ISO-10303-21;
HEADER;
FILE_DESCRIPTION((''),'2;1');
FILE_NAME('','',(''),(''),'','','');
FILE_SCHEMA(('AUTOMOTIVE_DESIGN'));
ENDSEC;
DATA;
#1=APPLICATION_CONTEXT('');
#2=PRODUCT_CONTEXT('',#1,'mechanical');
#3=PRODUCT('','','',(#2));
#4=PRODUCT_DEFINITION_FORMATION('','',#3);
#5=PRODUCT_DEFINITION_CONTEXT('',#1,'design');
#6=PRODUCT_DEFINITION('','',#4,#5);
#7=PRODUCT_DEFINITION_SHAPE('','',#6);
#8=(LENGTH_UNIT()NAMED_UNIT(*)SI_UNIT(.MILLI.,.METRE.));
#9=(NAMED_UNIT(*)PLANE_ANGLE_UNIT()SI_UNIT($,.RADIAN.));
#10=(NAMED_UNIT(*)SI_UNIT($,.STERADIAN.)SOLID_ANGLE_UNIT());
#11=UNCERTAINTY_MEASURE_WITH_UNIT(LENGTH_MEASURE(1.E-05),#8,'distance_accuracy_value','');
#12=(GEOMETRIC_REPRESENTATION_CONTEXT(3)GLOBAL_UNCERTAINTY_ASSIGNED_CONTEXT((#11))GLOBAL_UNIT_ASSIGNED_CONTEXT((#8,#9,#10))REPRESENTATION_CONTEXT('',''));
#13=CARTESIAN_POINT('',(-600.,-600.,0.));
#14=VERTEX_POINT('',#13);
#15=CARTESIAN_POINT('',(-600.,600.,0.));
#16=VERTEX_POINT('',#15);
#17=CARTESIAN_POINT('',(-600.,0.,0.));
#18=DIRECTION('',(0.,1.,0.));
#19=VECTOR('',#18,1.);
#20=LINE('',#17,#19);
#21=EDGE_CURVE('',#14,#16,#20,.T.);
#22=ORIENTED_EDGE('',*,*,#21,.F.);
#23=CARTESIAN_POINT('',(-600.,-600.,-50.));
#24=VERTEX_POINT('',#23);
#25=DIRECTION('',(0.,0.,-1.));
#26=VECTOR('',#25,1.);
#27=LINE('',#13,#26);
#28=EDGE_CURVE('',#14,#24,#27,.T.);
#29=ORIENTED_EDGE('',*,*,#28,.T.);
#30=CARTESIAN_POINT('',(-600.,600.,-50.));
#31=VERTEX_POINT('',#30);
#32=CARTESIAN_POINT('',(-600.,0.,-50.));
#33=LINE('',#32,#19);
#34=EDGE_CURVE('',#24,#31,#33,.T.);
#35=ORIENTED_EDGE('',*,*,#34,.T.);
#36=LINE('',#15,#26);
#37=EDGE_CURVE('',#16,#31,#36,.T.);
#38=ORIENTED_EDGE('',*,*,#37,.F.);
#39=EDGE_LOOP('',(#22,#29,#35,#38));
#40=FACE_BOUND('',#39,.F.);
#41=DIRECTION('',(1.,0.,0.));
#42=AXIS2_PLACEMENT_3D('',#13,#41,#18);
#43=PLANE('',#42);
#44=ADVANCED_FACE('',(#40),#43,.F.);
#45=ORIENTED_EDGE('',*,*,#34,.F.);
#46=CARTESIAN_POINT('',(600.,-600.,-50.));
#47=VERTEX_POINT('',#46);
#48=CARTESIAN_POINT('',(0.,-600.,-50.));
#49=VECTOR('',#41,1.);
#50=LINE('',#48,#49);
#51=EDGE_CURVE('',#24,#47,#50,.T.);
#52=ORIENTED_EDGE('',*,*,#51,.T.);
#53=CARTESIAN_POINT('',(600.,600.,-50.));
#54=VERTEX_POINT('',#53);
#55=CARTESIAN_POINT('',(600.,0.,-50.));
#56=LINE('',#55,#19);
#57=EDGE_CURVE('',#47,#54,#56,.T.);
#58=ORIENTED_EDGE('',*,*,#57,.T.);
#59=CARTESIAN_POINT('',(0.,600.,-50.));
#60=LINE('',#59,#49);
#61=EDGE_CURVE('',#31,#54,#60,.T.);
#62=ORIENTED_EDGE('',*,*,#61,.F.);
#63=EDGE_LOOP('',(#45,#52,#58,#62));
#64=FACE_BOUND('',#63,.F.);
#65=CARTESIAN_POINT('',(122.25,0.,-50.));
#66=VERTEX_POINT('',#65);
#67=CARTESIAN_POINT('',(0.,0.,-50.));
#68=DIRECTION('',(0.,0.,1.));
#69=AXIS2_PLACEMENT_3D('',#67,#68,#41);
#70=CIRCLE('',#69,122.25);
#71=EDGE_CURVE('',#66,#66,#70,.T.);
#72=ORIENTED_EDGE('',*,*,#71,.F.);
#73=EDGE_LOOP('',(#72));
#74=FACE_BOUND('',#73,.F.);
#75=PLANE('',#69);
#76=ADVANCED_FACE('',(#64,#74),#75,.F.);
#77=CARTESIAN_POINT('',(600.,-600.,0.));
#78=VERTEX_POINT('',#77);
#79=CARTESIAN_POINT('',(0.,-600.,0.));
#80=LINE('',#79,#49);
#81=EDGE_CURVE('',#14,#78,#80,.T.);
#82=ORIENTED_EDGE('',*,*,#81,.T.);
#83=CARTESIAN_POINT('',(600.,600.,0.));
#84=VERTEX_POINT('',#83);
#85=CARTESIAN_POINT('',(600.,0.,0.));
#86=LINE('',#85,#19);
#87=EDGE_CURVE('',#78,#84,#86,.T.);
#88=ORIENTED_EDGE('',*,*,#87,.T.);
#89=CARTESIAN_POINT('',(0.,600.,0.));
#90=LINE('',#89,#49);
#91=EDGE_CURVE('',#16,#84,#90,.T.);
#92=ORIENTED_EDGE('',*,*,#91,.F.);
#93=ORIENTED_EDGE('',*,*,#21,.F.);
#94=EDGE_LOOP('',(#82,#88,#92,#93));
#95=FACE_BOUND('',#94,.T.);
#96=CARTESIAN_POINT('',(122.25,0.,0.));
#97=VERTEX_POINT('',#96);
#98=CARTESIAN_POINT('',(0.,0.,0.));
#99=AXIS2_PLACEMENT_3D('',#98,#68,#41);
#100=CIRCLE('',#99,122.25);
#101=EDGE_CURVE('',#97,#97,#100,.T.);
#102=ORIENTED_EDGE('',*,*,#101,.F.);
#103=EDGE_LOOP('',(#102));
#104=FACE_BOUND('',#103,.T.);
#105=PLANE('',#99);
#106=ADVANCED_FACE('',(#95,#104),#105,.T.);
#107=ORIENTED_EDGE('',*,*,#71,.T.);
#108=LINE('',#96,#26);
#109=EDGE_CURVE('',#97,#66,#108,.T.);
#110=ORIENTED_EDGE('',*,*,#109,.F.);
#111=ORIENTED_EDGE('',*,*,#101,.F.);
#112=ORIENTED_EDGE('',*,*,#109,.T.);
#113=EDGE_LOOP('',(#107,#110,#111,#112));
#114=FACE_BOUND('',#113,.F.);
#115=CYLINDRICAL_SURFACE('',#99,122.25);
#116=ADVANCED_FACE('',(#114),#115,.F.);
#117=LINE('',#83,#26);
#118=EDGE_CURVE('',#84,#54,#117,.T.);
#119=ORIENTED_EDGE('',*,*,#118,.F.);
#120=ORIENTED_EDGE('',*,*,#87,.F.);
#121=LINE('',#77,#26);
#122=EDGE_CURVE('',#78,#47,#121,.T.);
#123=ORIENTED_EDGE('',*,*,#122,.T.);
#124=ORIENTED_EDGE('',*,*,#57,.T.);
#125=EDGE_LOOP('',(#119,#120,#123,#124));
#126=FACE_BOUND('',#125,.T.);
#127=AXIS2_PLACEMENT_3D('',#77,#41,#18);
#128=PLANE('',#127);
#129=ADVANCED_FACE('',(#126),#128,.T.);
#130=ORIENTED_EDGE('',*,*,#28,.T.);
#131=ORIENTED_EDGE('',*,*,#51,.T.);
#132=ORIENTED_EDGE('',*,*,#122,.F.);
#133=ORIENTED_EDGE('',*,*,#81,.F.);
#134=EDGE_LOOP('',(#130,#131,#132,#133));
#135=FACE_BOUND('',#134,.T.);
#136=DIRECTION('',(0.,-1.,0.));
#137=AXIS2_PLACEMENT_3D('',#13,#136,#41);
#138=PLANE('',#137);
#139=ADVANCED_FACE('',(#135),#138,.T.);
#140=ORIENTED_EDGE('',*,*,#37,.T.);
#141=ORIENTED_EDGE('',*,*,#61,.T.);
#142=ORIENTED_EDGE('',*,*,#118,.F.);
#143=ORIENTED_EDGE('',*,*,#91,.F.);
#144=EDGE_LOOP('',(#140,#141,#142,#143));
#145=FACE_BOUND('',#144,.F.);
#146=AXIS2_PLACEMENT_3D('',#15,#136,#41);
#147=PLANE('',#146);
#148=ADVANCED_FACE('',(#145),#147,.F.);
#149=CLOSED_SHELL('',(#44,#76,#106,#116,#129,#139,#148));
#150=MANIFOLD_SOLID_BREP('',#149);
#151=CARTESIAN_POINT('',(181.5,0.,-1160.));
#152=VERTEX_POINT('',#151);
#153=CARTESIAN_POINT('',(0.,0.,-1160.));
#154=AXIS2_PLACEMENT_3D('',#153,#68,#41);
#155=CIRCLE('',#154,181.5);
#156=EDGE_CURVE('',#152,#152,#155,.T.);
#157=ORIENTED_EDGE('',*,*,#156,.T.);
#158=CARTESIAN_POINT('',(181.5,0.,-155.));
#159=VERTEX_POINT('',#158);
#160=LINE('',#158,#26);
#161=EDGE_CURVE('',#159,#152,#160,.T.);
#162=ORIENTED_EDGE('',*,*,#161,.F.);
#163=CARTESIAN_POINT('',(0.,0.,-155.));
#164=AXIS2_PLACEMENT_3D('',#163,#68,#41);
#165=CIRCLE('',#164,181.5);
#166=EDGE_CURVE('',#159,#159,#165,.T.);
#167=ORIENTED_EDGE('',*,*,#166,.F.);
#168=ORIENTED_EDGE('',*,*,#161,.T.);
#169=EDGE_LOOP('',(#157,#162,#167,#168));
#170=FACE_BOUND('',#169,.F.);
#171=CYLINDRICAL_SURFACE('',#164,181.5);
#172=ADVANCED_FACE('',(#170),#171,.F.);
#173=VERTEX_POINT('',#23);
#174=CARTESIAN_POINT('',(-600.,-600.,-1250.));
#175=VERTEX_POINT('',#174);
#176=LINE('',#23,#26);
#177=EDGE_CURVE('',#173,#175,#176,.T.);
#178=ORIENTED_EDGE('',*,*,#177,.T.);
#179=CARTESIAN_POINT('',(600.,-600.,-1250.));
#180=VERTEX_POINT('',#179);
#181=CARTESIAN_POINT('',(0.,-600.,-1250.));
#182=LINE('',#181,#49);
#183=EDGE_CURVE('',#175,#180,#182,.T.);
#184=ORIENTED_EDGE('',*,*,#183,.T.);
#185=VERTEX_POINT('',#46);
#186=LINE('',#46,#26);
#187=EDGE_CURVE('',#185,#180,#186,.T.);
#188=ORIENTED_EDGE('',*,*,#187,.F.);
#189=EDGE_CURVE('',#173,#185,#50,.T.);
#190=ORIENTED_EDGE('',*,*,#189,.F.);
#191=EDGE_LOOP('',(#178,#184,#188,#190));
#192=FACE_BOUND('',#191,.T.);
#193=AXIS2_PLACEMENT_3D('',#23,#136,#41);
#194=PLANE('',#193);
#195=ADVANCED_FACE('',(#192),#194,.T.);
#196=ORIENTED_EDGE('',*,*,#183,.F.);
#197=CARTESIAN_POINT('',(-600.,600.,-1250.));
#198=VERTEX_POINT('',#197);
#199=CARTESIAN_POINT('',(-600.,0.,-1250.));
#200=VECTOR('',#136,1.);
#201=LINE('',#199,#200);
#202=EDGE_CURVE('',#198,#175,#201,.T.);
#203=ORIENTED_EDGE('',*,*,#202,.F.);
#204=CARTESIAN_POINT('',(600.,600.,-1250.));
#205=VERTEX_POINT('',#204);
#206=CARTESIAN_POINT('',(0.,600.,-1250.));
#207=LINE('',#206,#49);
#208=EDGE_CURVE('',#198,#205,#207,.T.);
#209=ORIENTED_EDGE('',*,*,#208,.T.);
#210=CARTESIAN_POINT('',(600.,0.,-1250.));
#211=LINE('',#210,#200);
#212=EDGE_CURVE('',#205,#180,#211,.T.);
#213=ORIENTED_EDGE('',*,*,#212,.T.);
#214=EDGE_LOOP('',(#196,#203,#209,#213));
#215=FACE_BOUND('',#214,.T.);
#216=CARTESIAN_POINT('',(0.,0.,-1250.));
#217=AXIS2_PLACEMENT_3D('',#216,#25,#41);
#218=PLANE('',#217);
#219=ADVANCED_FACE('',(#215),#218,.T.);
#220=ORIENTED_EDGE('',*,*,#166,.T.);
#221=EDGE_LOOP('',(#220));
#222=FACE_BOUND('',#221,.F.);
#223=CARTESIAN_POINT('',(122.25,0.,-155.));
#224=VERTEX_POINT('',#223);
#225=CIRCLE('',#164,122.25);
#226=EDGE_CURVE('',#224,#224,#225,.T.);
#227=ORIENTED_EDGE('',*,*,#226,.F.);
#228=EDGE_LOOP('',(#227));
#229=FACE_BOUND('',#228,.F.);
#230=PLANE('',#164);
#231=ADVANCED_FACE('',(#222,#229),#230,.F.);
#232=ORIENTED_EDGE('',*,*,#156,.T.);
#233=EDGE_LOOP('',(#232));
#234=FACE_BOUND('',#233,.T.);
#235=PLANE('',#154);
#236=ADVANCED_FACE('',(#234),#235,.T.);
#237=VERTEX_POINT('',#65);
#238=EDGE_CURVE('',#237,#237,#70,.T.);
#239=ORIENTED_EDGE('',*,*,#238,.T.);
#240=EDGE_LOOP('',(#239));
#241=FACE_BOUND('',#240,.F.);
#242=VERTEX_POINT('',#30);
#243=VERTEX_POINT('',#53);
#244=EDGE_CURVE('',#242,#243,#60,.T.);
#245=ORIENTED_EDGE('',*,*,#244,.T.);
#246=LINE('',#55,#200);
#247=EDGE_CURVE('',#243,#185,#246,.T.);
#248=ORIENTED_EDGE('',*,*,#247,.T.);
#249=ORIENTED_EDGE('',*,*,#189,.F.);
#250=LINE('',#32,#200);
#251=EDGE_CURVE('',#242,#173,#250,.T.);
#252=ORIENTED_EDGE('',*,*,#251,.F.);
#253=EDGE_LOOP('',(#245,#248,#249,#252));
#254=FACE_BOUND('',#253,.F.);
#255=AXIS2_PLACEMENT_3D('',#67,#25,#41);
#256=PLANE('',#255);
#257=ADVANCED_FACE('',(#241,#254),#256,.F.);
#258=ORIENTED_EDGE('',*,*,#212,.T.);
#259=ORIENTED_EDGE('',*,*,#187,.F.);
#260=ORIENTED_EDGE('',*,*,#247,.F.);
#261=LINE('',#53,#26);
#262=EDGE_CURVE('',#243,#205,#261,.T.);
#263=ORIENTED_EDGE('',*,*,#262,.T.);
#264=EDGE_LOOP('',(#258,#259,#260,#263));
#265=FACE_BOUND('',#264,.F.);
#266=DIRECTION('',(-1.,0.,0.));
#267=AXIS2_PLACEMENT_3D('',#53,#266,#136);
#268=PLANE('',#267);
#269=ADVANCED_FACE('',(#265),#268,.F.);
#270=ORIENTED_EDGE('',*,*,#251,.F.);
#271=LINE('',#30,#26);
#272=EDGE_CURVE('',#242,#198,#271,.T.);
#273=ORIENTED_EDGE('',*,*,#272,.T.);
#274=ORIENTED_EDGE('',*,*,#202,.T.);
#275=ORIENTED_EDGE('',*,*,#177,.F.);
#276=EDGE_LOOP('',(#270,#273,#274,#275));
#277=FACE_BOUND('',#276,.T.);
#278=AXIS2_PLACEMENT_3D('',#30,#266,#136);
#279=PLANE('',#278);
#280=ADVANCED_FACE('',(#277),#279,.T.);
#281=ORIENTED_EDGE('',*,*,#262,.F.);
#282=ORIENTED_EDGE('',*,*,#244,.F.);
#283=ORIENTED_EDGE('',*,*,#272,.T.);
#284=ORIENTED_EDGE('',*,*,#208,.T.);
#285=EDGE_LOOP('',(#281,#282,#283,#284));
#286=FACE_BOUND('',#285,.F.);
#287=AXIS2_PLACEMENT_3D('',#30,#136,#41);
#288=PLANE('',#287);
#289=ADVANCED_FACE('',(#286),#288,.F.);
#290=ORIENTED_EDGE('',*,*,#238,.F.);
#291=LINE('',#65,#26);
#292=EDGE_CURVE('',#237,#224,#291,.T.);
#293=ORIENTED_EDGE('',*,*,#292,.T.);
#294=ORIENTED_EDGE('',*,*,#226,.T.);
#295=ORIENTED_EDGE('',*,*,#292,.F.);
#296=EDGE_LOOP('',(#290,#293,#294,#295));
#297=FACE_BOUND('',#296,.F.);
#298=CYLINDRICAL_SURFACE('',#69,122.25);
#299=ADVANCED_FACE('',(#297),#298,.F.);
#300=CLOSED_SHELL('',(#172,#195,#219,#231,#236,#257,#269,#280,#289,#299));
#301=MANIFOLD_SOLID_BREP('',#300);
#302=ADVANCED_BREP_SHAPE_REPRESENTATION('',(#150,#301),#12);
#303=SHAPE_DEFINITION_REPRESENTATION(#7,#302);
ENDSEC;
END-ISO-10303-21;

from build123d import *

# Parameters (mm, degrees)
F0_W     = 1200
F0_H     = 1200
F0_R     = 122.25
F1_DEPTH = 50
F2_W     = 1200
F2_H     = 1200
F3_DEPTH = 1200
F4_R     = 122.25
F5_DEPTH = 105
F6_R     = 181.5
F7_DEPTH = 1005


with BuildPart() as f1:
    # F0 (on Top) → F1 (new body)
    with BuildSketch(Plane.XY):
        Rectangle(F0_W, F0_H)
        Circle(F0_R, mode=Mode.SUBTRACT)
    extrude(amount=-F1_DEPTH)


with BuildPart() as f3:
    # F2 (on face) → F3 (new body)
    with BuildSketch(Plane(origin=(0, 0, -50), x_dir=(1, 0, 0), z_dir=(0, 0, -1))):
        Rectangle(F2_W, F2_H)
    extrude(amount=F3_DEPTH)

    # F4 (on face) → F5 (cut)
    with BuildSketch(Plane.XY.offset(-50)):
        Circle(F4_R)
    extrude(amount=-F5_DEPTH, mode=Mode.SUBTRACT)

    # F6 (on face) → F7 (cut)
    with BuildSketch(Plane.XY.offset(-155)):
        Circle(F6_R)
    extrude(amount=-F7_DEPTH, mode=Mode.SUBTRACT)


solid = Compound([f1.part, f3.part])
